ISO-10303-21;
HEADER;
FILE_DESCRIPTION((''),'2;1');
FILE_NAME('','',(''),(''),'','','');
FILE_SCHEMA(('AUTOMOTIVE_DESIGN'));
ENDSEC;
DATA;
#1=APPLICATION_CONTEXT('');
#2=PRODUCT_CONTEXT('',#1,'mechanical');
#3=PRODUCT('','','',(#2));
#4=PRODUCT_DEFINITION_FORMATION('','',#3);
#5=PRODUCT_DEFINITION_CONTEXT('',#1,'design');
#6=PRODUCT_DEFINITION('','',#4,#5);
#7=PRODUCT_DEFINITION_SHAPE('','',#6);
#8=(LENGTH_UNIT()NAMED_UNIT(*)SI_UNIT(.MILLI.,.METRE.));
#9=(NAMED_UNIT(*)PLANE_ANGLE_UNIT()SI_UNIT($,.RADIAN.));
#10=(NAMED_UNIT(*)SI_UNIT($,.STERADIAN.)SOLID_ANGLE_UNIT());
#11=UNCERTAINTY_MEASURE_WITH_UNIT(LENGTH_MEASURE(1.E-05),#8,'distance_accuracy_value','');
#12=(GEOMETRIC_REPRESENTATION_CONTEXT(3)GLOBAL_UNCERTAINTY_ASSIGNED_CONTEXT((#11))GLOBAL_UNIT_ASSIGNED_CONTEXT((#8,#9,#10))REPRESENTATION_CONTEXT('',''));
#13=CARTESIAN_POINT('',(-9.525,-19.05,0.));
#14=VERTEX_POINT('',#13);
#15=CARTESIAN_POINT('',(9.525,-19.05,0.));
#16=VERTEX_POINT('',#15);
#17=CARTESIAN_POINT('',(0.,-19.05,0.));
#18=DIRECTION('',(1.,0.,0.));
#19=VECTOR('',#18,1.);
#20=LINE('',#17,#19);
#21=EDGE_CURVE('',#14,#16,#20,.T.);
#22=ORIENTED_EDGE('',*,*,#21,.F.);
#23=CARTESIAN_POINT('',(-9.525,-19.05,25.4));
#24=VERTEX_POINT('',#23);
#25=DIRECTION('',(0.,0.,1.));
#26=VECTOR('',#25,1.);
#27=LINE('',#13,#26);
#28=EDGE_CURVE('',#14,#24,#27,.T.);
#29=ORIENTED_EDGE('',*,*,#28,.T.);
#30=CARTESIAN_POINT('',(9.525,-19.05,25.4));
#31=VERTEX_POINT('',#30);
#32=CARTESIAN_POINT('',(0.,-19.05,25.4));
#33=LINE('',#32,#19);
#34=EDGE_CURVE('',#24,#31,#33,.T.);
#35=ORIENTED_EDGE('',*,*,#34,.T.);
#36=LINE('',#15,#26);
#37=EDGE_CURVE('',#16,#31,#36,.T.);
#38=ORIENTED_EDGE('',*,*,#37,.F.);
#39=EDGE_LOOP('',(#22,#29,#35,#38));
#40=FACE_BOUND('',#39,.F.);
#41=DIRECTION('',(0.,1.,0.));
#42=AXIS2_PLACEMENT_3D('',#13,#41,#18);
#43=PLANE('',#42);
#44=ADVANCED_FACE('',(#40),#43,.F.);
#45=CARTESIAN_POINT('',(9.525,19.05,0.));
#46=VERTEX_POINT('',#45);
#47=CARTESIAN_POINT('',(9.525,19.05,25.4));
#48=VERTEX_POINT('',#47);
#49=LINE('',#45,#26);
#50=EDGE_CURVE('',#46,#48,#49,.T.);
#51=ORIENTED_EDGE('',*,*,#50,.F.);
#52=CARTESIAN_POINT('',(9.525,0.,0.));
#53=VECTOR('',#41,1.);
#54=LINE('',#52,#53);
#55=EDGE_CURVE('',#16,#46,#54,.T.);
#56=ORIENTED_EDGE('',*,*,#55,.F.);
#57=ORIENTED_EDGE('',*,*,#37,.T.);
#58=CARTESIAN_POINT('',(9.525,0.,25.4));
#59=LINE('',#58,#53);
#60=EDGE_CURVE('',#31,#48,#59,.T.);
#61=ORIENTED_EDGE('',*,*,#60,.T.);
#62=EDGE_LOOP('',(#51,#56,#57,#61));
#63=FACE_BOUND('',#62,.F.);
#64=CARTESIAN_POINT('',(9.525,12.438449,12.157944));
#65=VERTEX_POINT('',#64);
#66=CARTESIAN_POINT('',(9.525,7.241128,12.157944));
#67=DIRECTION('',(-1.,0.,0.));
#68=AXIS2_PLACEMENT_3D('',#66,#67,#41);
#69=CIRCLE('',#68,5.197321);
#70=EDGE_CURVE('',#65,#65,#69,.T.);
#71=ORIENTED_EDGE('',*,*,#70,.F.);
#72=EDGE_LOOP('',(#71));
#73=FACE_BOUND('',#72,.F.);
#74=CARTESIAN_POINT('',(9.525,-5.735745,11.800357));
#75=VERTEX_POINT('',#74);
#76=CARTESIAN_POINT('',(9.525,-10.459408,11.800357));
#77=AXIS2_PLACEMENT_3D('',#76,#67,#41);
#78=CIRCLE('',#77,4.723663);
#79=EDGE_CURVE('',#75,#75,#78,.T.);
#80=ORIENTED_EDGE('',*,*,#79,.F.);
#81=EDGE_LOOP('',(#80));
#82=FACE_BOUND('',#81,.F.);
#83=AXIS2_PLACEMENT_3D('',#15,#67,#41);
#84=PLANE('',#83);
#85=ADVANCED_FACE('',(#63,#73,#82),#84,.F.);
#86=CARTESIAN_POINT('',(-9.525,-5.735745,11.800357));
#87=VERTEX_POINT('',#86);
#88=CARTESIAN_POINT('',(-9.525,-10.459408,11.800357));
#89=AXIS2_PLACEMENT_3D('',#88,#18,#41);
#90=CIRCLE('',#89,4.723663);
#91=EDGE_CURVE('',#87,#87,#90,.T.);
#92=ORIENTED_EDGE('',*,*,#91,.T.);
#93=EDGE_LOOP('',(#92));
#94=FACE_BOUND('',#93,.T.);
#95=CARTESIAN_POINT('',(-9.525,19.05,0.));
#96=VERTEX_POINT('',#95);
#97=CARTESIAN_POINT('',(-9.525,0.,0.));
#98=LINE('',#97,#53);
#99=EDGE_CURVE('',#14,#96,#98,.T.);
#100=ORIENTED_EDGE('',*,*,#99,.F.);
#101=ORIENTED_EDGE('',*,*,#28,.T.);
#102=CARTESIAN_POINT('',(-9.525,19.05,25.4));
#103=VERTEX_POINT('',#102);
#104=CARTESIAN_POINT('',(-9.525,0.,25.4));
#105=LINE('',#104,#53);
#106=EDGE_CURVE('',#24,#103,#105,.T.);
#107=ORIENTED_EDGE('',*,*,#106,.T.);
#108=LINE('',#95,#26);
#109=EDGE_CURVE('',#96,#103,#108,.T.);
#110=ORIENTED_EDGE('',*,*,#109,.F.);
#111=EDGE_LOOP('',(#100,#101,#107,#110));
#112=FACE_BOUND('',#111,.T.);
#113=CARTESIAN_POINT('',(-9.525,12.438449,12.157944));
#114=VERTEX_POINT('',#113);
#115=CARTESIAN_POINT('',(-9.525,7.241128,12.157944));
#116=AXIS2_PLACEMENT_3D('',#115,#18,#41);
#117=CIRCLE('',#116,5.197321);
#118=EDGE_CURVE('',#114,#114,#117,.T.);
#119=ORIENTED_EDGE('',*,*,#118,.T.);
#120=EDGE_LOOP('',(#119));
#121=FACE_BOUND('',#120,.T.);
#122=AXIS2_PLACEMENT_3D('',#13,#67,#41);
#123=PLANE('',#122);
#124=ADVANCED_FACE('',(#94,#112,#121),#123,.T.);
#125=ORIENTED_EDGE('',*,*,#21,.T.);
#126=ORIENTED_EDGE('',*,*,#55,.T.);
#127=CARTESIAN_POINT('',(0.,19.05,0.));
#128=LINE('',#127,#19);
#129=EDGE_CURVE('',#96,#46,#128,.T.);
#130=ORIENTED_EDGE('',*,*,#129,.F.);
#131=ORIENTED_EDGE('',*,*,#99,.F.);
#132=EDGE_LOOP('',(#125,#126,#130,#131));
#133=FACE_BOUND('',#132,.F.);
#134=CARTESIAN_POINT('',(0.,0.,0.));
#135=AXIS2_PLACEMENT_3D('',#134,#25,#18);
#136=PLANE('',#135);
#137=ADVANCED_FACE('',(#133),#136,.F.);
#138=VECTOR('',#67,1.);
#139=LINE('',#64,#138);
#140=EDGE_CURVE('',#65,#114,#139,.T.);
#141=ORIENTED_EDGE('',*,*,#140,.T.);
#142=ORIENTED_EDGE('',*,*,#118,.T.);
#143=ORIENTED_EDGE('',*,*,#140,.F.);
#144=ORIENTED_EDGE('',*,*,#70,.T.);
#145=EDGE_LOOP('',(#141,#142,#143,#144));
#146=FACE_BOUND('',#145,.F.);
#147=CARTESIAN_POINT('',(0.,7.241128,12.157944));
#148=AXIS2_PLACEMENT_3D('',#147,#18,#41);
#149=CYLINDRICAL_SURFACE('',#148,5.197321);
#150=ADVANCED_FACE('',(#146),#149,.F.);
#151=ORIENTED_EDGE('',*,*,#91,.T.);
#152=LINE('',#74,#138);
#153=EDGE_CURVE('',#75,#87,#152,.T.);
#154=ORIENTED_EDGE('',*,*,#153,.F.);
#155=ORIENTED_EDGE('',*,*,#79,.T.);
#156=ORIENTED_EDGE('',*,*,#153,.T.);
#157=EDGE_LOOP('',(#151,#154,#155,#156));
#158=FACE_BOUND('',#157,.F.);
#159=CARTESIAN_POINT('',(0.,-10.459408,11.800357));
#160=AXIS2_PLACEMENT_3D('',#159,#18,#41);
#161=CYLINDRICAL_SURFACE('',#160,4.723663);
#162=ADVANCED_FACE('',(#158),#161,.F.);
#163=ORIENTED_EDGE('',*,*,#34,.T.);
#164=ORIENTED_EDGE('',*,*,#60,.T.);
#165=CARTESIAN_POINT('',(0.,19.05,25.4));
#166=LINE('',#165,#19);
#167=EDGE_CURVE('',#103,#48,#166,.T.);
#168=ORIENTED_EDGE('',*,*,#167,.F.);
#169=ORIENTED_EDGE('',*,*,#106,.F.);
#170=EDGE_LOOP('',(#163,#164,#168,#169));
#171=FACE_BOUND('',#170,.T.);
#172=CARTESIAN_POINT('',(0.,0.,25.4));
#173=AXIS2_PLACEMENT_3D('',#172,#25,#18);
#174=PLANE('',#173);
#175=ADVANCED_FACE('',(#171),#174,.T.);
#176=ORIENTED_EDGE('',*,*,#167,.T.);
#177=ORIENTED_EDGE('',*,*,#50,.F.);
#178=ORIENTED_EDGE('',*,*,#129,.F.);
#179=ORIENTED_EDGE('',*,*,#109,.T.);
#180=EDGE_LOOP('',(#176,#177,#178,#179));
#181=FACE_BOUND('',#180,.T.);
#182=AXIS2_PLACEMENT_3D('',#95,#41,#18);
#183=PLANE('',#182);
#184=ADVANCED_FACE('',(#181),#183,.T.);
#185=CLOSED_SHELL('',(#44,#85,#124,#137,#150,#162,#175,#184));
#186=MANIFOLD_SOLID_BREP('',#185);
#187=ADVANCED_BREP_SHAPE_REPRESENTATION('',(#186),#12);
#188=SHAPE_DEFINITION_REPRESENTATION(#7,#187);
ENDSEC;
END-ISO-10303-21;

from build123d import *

# Parameters (mm, degrees)
F0_W          = 19.05
F0_H          = 38.1
F1_DEPTH      = 25.4
F2_R          = 4.7236631707
F2_R_2        = 5.1973210693
F3_DEPTH      = 25.4
F3_DEPTH_BACK = 25.4


with BuildPart() as f1:
    # F0 (on Top) → F1 (new body)
    with BuildSketch(Plane.XY):
        Rectangle(F0_W, F0_H)
    extrude(amount=F1_DEPTH)

    # F2 (on Right) → F3 (cut, two sides)
    with BuildSketch(Plane.YZ) as f3_sk:
        with Locations((-10.459408164, 11.8003571406)):
            Circle(F2_R)
        with Locations((7.2411275469, 12.1579440311)):
            Circle(F2_R_2)
    extrude(amount=-F3_DEPTH, mode=Mode.SUBTRACT)
    extrude(f3_sk.sketch, amount=F3_DEPTH_BACK, mode=Mode.SUBTRACT)


solid = f1.part
